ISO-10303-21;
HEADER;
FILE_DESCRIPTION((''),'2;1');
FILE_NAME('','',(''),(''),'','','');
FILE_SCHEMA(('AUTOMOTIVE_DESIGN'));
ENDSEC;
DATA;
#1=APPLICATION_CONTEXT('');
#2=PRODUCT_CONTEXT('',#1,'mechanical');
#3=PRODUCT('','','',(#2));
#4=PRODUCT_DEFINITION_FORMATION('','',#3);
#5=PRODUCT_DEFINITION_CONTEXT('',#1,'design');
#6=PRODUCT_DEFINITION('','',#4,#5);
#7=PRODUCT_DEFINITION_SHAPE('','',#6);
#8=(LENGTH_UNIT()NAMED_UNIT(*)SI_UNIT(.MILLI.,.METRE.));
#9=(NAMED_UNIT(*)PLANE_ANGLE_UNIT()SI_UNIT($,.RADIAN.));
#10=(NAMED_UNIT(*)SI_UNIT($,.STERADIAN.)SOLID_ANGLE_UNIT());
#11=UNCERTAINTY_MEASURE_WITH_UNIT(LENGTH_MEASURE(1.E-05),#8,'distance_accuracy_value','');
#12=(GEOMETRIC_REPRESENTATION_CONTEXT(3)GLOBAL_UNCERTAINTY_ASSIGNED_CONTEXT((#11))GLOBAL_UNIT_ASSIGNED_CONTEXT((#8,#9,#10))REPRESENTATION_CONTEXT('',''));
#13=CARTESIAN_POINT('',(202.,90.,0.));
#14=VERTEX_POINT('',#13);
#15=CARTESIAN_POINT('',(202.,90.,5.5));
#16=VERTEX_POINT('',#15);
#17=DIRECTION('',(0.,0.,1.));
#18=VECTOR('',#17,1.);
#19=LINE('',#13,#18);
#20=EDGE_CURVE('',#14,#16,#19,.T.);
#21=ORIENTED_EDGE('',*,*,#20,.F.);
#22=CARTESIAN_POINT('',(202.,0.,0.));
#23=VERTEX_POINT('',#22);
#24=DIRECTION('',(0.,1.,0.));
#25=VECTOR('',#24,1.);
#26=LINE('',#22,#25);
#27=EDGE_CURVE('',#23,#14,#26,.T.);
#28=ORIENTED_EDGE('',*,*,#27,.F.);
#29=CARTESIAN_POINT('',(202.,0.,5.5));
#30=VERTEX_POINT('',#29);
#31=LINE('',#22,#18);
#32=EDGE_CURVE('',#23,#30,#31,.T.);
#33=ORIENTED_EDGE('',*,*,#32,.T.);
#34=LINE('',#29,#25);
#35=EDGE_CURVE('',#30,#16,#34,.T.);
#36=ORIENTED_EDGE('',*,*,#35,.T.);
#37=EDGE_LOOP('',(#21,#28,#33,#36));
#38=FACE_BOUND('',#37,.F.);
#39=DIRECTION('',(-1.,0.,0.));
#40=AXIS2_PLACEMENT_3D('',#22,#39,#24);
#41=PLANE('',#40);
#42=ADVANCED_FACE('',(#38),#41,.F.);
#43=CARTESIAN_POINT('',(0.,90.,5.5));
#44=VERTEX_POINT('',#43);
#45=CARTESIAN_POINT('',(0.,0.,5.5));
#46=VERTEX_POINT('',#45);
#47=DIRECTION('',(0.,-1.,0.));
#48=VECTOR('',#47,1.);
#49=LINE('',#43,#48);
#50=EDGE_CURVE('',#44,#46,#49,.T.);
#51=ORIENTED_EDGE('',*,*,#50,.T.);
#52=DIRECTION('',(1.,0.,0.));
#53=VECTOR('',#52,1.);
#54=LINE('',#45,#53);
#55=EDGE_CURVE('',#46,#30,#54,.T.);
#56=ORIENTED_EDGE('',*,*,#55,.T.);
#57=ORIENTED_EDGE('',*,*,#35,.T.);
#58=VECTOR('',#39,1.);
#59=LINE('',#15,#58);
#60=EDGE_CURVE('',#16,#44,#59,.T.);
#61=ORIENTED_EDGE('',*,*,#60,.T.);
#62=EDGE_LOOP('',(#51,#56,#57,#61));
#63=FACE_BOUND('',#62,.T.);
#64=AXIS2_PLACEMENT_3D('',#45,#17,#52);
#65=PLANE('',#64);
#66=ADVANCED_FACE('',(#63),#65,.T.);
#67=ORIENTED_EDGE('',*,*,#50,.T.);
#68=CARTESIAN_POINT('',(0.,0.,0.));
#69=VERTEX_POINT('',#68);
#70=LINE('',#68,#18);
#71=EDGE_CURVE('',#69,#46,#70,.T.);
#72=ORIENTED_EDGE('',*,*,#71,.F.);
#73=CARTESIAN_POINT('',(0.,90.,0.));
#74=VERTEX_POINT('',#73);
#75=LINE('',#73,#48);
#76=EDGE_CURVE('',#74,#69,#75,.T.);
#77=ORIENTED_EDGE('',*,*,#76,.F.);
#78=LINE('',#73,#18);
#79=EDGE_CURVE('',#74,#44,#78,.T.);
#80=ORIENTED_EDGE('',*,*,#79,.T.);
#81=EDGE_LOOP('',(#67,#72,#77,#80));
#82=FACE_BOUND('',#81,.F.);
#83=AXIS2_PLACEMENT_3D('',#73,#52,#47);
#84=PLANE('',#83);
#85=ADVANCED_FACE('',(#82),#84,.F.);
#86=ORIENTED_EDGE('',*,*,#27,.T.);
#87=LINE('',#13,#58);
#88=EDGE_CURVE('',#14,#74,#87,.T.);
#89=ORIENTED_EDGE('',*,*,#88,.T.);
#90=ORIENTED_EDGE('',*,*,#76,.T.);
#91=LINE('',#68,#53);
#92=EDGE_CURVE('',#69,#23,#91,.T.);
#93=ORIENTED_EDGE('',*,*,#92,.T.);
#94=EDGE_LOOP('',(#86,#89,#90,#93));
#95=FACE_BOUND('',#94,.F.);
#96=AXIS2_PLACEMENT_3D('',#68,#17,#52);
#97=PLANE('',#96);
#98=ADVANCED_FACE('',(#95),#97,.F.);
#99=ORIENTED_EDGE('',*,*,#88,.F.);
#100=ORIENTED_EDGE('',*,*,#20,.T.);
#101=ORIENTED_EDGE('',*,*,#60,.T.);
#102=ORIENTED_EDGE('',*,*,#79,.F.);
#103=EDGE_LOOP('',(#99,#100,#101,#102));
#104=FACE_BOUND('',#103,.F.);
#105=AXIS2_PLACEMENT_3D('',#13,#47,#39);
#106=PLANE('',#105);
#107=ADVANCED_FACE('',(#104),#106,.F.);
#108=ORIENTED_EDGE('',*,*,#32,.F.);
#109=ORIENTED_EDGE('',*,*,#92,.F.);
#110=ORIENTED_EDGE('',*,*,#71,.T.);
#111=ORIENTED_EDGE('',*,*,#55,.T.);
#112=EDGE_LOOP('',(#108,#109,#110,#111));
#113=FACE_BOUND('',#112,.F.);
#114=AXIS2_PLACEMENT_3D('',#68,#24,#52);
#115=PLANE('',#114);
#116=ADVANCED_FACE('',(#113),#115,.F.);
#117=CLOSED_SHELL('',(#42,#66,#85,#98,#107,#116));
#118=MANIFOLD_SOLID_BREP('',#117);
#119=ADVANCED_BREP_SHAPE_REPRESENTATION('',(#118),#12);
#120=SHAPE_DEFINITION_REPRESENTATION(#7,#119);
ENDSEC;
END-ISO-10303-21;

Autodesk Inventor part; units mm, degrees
ref_plane "YZ Plane" through (0, 0, 0) normal (1, 0, 0) x (0, 1, 0)
ref_plane "XZ Plane" through (0, 0, 0) normal (0, 1, 0) x (-1, 0, 0)
ref_plane "XY Plane" through (0, 0, 0) normal (0, 0, 1) x (1, 0, 0)
sketch "Sketch1" plane through (0, 0, 0) normal (0, 0, 1) x (1, 0, 0)
  line L0 (0, 0) -> (202, 0)
  line L1 (202, 0) -> (202, 90)
  line L2 (202, 90) -> (0, 90)
  line L3 (0, 90) -> (0, 0)
  dimension "d3" = 202
  dimension "d4" = 90
extrude "Extrusion1" add sketch "Sketch1" along normal blind 5.5
ref_plane "Work Plane1" through (101, 0, 0) normal (1, 0, 0) x (0, 0, -1)
equation "\"thick\" = 0.5"
equation "\"lrlr\" = 19"
equation "\"lrmid\" = 19.9"
equation "\"lrdepth\" = 3.3"
equation "\"mlr\" = 16.6"
equation "\"mmid\" = 24.7"
equation "\"mdepth\" = 4.5"
equation "\"lrltotal\" = 126.6"
equation "\"mltotal\" = 126.6"
equation "\"lrbetween\" = 52.1"
equation "\"mbetween\" = 49.5"
equation "\"toler\" = 1"
equation "\"tight\" = 0.08"
equation "\"stuckw\" = 6"
equation "\"sidewallL\" = 132.6"
equation "\"heaterH\" = 117.3"
equation "\"stickL\" = 3.5"
equation "\"wireH\" = 25"
properties part number "new_wire_bottom"
